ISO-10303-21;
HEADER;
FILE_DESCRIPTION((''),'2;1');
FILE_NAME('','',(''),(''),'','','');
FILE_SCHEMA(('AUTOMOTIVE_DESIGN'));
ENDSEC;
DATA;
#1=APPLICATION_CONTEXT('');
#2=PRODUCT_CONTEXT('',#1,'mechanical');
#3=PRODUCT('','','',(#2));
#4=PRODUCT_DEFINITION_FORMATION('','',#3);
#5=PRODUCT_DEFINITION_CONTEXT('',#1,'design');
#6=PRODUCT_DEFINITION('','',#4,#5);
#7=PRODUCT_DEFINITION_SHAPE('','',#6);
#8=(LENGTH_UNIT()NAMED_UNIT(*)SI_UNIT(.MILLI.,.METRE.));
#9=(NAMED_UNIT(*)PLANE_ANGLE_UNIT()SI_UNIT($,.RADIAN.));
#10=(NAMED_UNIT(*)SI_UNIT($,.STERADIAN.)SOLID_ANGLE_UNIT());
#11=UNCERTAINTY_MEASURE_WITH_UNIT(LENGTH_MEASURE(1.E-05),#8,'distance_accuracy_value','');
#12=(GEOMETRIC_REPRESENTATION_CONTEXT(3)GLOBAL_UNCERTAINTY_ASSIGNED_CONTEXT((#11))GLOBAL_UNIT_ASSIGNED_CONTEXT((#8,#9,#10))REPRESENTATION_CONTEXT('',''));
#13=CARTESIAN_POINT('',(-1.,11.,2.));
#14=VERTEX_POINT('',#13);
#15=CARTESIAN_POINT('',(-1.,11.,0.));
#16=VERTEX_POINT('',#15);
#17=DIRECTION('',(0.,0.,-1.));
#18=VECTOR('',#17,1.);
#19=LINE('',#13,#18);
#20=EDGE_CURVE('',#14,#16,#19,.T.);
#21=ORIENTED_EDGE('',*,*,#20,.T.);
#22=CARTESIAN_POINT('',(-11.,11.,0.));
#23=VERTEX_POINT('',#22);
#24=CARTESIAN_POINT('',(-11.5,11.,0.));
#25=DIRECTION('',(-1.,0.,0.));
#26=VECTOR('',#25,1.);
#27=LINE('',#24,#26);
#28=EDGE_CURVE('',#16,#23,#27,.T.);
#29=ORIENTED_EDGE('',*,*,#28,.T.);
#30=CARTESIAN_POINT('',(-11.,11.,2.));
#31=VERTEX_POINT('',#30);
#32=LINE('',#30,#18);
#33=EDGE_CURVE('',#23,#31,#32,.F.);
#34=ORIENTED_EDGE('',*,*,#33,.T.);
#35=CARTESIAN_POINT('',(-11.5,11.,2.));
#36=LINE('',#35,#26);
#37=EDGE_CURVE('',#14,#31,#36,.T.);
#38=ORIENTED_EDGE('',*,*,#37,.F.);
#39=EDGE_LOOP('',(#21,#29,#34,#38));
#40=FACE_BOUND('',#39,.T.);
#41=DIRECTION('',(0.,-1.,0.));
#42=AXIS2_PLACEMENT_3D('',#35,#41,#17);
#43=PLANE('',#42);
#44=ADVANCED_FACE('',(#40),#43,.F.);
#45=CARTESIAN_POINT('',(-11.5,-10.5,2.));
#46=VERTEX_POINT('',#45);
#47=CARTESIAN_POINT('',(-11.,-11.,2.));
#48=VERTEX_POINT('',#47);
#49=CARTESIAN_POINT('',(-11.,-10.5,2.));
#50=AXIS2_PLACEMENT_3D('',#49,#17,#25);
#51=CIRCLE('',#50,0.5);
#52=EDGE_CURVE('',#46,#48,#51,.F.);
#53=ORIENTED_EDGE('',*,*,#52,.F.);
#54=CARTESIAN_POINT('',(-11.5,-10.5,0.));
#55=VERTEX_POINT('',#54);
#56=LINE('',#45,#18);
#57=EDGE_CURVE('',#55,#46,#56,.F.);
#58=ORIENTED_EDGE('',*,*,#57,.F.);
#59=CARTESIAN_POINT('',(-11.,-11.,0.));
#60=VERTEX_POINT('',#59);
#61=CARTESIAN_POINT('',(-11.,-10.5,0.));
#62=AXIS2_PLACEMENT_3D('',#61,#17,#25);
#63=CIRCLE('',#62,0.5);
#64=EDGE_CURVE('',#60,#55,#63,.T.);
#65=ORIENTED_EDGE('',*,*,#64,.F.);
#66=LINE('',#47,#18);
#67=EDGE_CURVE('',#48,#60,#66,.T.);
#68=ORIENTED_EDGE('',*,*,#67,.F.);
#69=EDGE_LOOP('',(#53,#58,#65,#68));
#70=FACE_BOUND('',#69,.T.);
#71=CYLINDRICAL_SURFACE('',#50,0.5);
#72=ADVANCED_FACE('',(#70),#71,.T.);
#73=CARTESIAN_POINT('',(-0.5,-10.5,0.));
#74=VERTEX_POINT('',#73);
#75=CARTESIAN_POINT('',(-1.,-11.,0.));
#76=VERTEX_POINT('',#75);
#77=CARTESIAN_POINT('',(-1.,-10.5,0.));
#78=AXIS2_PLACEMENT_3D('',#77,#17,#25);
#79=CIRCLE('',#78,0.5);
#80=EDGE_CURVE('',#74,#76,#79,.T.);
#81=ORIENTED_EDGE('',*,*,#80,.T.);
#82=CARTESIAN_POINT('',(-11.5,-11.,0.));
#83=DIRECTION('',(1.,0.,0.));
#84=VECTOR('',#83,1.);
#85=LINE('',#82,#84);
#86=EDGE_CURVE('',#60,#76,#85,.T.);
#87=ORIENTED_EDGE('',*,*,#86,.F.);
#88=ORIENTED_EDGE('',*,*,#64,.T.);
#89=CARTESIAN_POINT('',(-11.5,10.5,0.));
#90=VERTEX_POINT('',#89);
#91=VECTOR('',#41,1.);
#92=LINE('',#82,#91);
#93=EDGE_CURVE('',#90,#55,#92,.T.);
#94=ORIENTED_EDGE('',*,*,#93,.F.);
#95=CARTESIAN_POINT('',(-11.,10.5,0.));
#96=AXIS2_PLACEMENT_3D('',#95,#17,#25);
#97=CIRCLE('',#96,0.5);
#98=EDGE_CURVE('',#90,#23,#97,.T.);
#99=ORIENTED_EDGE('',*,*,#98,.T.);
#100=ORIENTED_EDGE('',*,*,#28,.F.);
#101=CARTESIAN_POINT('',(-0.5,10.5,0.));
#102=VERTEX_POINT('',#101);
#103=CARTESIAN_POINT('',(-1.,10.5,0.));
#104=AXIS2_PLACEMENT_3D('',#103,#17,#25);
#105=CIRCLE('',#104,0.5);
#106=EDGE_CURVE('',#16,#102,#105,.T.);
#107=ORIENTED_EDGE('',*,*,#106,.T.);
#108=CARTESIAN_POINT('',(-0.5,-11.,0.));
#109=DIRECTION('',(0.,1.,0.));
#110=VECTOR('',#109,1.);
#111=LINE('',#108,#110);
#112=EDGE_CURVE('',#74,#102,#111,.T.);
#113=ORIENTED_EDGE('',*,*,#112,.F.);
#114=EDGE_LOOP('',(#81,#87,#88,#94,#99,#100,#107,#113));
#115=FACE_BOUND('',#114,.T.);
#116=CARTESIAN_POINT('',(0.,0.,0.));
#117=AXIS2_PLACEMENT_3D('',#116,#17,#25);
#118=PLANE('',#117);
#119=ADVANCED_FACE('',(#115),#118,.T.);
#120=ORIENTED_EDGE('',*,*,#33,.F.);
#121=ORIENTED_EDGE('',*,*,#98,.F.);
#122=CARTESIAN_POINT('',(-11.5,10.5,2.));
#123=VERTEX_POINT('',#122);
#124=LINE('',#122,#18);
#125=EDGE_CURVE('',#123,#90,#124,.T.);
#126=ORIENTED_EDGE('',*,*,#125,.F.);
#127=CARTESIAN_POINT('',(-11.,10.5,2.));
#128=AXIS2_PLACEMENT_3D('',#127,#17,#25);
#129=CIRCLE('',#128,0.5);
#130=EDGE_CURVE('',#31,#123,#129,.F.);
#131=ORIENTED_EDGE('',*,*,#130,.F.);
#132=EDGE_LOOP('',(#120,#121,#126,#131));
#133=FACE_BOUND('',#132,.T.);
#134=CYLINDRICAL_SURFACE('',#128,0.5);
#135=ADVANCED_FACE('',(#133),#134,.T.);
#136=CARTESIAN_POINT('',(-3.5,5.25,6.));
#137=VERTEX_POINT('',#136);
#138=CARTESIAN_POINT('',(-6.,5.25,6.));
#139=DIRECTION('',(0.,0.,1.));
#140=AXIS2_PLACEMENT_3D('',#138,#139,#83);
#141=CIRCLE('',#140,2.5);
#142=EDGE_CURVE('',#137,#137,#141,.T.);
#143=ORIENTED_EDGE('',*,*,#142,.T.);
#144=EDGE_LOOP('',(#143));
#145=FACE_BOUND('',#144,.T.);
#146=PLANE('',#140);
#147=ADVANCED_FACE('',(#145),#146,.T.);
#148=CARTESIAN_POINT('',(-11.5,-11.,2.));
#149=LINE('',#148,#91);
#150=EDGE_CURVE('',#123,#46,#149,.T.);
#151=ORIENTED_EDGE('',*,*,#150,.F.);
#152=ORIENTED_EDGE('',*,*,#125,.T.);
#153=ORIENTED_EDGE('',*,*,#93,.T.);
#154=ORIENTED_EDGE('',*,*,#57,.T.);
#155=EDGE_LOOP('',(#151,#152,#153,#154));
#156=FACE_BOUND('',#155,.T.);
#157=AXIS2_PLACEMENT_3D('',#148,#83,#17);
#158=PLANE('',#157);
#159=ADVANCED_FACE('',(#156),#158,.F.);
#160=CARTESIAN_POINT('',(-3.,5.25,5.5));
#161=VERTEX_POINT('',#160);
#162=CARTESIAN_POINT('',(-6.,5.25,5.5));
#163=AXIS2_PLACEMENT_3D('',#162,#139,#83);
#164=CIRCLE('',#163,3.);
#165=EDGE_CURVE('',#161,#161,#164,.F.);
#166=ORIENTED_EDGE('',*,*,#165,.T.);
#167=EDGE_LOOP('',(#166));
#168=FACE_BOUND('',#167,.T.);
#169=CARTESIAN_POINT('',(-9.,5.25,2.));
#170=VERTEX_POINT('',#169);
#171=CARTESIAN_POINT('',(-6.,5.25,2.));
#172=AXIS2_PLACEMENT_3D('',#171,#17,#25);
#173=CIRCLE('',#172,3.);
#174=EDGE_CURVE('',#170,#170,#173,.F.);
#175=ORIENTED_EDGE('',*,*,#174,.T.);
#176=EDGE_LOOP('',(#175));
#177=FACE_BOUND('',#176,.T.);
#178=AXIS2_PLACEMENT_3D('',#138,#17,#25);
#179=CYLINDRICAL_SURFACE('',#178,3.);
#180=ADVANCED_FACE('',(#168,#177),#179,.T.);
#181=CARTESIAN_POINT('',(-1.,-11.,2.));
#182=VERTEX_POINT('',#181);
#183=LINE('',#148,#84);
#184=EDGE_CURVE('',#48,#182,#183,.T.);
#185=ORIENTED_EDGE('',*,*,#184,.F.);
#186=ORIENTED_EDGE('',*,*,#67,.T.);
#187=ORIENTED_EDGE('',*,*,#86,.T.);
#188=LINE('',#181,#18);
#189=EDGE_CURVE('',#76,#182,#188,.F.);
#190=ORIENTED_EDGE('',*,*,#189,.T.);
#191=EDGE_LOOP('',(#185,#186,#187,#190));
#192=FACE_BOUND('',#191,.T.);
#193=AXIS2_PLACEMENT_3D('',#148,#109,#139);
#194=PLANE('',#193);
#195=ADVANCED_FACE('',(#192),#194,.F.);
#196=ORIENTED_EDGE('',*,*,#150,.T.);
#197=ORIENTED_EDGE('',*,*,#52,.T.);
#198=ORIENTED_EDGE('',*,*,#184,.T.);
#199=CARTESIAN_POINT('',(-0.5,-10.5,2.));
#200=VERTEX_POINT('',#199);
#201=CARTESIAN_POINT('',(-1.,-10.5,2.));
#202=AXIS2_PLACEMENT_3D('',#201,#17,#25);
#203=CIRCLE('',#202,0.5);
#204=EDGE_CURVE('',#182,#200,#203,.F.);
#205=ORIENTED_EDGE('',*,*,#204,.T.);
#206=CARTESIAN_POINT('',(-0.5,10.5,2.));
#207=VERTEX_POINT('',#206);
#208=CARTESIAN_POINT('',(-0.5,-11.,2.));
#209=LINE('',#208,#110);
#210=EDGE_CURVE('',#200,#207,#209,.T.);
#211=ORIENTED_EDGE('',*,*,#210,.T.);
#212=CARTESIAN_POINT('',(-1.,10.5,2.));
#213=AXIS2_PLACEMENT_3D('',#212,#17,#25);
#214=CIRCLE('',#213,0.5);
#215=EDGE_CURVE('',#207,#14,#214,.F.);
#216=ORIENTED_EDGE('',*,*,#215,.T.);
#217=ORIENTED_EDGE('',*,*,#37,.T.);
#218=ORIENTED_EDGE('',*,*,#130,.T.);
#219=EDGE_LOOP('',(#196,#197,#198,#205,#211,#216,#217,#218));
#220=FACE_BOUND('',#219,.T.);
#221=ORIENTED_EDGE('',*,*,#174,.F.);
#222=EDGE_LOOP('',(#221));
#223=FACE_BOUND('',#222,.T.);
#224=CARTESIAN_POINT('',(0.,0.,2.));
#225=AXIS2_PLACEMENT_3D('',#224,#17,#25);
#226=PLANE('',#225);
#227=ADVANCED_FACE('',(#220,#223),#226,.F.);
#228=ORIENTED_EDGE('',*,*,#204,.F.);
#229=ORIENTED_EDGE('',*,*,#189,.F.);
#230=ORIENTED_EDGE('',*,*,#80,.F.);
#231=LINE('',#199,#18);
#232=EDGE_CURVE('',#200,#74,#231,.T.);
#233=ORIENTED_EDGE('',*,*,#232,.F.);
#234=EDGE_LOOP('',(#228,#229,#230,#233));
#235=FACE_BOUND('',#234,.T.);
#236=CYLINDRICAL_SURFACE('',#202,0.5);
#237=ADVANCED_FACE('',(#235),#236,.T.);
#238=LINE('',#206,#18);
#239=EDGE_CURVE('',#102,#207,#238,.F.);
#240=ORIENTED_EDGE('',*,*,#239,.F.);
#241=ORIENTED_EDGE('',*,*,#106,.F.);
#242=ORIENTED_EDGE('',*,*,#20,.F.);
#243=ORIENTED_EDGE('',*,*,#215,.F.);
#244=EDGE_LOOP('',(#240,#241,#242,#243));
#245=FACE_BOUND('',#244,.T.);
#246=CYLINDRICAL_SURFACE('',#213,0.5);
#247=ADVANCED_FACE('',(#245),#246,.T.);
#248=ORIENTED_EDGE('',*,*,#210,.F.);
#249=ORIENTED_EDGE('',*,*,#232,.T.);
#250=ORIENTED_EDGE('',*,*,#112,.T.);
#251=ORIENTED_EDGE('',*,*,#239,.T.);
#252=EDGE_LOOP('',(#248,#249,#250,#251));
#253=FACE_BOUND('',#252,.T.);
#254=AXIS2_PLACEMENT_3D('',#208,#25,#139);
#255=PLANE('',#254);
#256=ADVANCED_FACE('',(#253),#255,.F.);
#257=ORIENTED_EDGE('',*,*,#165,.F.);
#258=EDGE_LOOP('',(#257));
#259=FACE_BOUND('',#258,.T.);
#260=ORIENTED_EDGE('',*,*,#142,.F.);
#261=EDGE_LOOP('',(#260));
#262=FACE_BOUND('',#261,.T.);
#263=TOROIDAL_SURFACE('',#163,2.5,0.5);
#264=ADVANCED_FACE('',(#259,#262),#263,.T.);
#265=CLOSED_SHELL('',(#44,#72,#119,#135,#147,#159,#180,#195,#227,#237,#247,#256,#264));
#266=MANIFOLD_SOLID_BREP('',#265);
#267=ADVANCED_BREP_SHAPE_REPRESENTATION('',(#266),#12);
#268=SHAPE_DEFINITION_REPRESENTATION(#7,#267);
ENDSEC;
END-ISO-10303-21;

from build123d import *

# Parameters (mm, degrees)
SKETCH1_W           = 11
SKETCH1_H           = 22
BOSS_EXTRUDE1_DEPTH = 2
SKETCH2_R           = 3
BOSS_EXTRUDE2_DEPTH = 4
FILLET1_R           = 0.5


with BuildPart() as part:
    # Sketch1 → Boss-Extrude1 (new body)
    with BuildSketch(Plane.XY):
        with Locations((-6, 0)):
            Rectangle(SKETCH1_W, SKETCH1_H)
    extrude(amount=BOSS_EXTRUDE1_DEPTH)

    # Sketch2 → Boss-Extrude2 (add)
    with BuildSketch(Plane.XY.offset(2)):
        with Locations(Location((-6, 5.25, 0), (0, 0, 180))):
            Circle(SKETCH2_R)
    extrude(amount=BOSS_EXTRUDE2_DEPTH)

    # Fillet1
    fillet1_edges = [part.edges().sort_by_distance(p)[0] for p in [
        (-3, 5.25, 6),
        (-11.5, 11, 1),
        (-0.5, 11, 1),
        (-0.5, -11, 1),
        (-11.5, -11, 1),
    ]]
    fillet(fillet1_edges, radius=FILLET1_R)


solid = part.part
